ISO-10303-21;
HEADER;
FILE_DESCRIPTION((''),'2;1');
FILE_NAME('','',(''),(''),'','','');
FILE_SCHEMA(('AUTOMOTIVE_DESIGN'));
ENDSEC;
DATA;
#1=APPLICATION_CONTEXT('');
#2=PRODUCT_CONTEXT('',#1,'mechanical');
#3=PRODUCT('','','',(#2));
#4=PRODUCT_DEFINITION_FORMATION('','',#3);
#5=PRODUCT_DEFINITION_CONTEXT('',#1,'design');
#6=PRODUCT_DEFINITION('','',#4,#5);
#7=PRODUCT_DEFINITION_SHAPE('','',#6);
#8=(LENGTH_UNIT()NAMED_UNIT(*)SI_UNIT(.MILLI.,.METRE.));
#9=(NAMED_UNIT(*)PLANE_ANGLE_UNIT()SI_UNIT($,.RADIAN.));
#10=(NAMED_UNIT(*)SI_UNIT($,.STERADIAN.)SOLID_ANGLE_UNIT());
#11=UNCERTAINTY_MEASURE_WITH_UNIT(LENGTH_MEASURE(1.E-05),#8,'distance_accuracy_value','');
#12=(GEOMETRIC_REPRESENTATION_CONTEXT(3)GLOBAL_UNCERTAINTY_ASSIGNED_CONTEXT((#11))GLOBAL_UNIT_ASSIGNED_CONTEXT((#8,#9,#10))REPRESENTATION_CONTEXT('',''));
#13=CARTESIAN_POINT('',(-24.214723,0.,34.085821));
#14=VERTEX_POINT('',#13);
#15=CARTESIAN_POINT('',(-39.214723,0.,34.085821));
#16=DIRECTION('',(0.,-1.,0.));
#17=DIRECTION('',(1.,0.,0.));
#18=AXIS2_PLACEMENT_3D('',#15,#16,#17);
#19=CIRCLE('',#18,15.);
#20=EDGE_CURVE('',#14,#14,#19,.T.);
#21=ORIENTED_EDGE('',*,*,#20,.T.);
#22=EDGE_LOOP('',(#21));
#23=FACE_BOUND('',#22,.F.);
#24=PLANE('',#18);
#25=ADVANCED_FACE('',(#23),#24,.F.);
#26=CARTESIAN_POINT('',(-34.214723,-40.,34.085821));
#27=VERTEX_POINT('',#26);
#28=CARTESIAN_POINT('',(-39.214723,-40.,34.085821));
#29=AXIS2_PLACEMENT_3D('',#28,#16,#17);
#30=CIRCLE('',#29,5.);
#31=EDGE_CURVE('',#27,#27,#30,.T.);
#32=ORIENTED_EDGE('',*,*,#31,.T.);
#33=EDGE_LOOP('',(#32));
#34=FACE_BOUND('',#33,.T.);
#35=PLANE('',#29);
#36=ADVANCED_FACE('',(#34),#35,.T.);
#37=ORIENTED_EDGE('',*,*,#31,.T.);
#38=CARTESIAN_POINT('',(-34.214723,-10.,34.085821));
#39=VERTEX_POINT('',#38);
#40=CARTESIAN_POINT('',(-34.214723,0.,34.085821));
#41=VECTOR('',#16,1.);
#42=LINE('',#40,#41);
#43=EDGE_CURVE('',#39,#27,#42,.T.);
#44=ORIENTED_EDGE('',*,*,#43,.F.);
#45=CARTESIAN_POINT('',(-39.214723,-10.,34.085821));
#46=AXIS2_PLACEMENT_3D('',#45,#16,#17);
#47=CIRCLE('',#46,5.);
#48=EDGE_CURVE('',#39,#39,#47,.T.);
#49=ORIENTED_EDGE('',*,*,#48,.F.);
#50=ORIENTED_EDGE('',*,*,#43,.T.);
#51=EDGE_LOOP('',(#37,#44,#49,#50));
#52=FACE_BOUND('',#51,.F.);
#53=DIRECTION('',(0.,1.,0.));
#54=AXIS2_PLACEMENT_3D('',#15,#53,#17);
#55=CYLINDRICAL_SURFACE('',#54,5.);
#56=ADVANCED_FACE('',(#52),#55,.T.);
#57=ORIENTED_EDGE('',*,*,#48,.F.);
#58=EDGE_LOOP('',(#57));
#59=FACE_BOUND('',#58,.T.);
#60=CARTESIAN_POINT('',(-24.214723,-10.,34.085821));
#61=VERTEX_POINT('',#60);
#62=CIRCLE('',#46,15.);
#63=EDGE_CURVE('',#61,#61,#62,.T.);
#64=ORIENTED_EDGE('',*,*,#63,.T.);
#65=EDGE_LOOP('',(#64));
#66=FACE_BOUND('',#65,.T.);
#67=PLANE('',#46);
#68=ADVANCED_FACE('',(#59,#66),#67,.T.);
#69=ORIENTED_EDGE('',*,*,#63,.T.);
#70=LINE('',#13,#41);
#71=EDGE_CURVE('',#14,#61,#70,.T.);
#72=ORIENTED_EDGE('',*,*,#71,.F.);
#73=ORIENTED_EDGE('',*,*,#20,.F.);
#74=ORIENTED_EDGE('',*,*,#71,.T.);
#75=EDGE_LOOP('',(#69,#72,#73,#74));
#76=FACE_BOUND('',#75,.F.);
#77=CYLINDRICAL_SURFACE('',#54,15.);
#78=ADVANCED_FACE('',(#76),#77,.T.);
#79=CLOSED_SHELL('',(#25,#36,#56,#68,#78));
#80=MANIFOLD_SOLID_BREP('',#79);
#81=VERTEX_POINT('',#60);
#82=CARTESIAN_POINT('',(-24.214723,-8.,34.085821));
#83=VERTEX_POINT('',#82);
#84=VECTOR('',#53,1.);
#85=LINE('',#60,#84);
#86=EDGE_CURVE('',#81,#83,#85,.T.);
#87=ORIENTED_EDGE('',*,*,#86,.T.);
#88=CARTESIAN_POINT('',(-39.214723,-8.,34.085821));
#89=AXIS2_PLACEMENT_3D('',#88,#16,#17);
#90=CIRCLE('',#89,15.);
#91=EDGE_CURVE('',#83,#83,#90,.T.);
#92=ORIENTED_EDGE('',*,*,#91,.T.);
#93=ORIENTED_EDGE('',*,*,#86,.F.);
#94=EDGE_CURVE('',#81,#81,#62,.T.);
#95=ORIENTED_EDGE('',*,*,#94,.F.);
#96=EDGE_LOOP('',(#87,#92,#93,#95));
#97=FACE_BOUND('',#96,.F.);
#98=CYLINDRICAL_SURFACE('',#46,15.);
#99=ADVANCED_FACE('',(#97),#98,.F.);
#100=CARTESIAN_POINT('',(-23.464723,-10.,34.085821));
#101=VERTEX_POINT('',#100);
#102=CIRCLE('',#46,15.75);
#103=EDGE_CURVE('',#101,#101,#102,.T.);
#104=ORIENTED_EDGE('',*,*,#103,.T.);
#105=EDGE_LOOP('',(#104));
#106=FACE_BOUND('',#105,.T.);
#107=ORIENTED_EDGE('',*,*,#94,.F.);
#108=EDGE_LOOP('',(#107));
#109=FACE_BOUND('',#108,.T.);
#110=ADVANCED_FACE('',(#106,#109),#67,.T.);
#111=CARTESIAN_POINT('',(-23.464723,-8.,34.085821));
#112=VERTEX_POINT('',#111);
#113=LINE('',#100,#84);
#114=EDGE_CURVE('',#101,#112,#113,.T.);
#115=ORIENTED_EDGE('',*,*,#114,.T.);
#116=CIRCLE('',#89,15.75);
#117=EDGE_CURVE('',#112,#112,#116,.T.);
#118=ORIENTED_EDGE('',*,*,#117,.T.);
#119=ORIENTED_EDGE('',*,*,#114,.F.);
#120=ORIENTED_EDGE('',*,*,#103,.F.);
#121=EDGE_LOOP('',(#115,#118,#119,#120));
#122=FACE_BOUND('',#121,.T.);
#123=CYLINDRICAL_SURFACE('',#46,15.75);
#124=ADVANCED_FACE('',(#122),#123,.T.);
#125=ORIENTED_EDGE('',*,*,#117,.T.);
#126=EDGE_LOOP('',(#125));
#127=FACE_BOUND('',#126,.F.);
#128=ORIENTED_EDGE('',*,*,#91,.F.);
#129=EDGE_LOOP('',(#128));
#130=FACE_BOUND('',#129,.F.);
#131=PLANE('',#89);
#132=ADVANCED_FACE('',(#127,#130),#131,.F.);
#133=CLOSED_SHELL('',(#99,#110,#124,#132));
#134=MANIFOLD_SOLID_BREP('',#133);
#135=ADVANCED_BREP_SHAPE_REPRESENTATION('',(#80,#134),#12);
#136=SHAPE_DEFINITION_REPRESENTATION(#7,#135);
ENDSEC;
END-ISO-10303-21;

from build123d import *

# Parameters (mm, degrees)
F0_R     = 15
F0_R_2   = 5
F1_DEPTH = 10
F2_DEPTH = 40
F4_R     = 15.75
F4_R_2   = 15
F5_DEPTH = 2


with BuildPart() as f1:
    # F0 (on Front) → F1 (new body)
    with BuildSketch(Plane.XZ):
        with Locations((-39.214723, 34.085821)):
            Circle(F0_R)
        with Locations((-39.214723, 34.085821)):
            Circle(F0_R_2, mode=Mode.SUBTRACT)
    extrude(amount=F1_DEPTH)

    # F0 (on Front) → F2 (join)
    with BuildSketch(Plane.XZ):
        with Locations((-39.214723, 34.085821)):
            Circle(F0_R_2)
    extrude(amount=F2_DEPTH)


with BuildPart() as f5:
    # F4 (on face) → F5 (new body)
    with BuildSketch(Plane.XZ.offset(10)):
        with Locations((-39.214723, 34.085821)):
            Circle(F4_R)
        with Locations((-39.214723, 34.085821)):
            Circle(F4_R_2, mode=Mode.SUBTRACT)
    extrude(amount=-F5_DEPTH)


solid = Compound([f1.part, f5.part])
